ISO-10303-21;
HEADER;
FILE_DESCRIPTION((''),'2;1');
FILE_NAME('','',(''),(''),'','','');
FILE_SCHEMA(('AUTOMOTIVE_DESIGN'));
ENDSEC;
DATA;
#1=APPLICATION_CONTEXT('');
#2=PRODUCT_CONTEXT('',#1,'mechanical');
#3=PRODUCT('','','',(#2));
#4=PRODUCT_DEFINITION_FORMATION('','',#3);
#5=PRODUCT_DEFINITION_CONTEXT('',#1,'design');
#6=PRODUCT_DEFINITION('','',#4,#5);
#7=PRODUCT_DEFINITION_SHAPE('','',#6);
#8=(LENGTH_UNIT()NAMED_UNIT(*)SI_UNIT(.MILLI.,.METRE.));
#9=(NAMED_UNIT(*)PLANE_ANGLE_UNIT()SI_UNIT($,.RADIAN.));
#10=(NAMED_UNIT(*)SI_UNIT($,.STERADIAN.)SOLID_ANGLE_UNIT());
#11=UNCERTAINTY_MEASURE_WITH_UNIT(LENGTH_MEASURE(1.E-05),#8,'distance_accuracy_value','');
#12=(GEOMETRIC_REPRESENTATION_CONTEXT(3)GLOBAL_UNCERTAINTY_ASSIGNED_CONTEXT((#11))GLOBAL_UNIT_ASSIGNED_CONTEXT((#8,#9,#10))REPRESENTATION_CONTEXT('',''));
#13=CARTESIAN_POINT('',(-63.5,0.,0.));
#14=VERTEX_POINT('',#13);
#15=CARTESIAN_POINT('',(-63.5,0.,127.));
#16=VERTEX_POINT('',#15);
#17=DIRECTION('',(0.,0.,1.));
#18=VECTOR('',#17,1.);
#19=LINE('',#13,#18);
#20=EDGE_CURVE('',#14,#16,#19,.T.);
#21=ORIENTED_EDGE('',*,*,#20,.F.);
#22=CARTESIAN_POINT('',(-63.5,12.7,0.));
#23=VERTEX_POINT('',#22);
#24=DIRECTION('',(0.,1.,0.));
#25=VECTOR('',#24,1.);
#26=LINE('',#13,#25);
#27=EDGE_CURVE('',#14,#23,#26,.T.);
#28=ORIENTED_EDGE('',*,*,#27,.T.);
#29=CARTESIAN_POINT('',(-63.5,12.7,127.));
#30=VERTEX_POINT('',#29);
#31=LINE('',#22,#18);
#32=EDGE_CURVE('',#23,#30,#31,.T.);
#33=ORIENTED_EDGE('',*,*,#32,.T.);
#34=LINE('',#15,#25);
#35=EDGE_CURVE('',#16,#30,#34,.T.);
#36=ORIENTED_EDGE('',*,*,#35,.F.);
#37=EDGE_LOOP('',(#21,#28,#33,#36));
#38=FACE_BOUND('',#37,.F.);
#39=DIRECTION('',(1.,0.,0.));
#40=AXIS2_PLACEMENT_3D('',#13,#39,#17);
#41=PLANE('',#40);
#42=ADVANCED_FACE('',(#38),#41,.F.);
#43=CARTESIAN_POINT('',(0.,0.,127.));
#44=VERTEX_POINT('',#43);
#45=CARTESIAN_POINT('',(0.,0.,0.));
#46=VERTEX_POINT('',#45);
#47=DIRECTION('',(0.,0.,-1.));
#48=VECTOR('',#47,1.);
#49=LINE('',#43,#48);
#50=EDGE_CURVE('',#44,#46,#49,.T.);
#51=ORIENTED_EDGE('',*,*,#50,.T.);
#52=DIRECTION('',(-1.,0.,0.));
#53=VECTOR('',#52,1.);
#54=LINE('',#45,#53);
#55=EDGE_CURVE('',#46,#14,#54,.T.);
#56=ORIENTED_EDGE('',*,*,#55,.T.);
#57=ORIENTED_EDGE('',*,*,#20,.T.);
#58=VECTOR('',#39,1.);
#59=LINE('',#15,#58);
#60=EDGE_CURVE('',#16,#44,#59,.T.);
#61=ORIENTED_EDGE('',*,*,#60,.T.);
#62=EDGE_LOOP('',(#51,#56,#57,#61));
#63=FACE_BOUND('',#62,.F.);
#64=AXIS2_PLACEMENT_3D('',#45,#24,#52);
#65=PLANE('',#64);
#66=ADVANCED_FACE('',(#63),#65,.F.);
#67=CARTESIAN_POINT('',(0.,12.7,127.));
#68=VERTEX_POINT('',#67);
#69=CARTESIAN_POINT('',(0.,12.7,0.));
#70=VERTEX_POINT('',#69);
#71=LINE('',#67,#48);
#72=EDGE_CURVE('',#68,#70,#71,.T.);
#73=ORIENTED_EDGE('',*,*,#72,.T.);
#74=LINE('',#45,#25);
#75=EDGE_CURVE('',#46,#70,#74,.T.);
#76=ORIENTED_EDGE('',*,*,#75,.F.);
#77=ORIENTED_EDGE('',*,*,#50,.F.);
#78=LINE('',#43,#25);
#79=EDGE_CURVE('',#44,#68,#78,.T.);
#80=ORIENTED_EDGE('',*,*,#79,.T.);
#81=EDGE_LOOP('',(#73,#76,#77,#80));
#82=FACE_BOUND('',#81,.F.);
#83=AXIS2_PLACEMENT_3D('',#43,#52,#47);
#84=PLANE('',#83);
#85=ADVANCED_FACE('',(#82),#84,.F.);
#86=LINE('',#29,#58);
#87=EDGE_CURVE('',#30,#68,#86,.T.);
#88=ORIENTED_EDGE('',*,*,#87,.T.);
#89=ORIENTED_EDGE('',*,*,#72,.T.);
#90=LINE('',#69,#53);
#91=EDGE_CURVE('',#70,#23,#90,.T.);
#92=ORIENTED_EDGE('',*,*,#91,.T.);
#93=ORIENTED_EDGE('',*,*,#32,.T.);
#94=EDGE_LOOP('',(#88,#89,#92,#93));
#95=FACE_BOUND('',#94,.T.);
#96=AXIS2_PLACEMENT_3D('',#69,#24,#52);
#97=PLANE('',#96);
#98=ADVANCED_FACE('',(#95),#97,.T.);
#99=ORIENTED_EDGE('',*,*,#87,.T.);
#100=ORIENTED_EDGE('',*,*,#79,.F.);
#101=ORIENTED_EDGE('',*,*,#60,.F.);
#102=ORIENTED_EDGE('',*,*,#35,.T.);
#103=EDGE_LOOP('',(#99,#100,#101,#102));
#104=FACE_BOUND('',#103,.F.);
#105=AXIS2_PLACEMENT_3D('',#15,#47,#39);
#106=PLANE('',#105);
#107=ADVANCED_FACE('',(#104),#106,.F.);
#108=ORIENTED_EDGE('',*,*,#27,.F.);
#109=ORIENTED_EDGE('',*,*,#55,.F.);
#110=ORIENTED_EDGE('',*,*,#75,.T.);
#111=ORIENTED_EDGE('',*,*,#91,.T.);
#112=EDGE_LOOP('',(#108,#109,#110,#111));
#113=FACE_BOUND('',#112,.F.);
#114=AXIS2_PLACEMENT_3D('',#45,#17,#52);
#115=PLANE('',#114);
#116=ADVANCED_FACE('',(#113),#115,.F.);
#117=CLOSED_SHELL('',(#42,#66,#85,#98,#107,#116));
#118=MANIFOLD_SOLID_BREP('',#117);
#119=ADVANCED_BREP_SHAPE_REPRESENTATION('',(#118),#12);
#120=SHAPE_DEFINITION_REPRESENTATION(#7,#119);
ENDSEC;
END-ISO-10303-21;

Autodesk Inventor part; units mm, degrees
ref_plane "YZ Plane" through (0, 0, 0) normal (1, 0, 0) x (0, 1, 0)
ref_plane "XZ Plane" through (0, 0, 0) normal (0, 1, 0) x (-1, 0, 0)
ref_plane "XY Plane" through (0, 0, 0) normal (0, 0, 1) x (1, 0, 0)
sketch "Sketch1" plane through (0, 0, 0) normal (0, 1, 0) x (-1, 0, 0)
  line L0 (0, 0) -> (63.5, 0)
  line L1 (63.5, 0) -> (63.5, 127)
  line L2 (63.5, 127) -> (0, 127)
  line L3 (0, 127) -> (0, 0)
  dimension "d0" = 127
  dimension "d1" = 63.5
extrude "Extrusion1" add sketch "Sketch1" along normal blind 12.7
properties part number "half hook"
